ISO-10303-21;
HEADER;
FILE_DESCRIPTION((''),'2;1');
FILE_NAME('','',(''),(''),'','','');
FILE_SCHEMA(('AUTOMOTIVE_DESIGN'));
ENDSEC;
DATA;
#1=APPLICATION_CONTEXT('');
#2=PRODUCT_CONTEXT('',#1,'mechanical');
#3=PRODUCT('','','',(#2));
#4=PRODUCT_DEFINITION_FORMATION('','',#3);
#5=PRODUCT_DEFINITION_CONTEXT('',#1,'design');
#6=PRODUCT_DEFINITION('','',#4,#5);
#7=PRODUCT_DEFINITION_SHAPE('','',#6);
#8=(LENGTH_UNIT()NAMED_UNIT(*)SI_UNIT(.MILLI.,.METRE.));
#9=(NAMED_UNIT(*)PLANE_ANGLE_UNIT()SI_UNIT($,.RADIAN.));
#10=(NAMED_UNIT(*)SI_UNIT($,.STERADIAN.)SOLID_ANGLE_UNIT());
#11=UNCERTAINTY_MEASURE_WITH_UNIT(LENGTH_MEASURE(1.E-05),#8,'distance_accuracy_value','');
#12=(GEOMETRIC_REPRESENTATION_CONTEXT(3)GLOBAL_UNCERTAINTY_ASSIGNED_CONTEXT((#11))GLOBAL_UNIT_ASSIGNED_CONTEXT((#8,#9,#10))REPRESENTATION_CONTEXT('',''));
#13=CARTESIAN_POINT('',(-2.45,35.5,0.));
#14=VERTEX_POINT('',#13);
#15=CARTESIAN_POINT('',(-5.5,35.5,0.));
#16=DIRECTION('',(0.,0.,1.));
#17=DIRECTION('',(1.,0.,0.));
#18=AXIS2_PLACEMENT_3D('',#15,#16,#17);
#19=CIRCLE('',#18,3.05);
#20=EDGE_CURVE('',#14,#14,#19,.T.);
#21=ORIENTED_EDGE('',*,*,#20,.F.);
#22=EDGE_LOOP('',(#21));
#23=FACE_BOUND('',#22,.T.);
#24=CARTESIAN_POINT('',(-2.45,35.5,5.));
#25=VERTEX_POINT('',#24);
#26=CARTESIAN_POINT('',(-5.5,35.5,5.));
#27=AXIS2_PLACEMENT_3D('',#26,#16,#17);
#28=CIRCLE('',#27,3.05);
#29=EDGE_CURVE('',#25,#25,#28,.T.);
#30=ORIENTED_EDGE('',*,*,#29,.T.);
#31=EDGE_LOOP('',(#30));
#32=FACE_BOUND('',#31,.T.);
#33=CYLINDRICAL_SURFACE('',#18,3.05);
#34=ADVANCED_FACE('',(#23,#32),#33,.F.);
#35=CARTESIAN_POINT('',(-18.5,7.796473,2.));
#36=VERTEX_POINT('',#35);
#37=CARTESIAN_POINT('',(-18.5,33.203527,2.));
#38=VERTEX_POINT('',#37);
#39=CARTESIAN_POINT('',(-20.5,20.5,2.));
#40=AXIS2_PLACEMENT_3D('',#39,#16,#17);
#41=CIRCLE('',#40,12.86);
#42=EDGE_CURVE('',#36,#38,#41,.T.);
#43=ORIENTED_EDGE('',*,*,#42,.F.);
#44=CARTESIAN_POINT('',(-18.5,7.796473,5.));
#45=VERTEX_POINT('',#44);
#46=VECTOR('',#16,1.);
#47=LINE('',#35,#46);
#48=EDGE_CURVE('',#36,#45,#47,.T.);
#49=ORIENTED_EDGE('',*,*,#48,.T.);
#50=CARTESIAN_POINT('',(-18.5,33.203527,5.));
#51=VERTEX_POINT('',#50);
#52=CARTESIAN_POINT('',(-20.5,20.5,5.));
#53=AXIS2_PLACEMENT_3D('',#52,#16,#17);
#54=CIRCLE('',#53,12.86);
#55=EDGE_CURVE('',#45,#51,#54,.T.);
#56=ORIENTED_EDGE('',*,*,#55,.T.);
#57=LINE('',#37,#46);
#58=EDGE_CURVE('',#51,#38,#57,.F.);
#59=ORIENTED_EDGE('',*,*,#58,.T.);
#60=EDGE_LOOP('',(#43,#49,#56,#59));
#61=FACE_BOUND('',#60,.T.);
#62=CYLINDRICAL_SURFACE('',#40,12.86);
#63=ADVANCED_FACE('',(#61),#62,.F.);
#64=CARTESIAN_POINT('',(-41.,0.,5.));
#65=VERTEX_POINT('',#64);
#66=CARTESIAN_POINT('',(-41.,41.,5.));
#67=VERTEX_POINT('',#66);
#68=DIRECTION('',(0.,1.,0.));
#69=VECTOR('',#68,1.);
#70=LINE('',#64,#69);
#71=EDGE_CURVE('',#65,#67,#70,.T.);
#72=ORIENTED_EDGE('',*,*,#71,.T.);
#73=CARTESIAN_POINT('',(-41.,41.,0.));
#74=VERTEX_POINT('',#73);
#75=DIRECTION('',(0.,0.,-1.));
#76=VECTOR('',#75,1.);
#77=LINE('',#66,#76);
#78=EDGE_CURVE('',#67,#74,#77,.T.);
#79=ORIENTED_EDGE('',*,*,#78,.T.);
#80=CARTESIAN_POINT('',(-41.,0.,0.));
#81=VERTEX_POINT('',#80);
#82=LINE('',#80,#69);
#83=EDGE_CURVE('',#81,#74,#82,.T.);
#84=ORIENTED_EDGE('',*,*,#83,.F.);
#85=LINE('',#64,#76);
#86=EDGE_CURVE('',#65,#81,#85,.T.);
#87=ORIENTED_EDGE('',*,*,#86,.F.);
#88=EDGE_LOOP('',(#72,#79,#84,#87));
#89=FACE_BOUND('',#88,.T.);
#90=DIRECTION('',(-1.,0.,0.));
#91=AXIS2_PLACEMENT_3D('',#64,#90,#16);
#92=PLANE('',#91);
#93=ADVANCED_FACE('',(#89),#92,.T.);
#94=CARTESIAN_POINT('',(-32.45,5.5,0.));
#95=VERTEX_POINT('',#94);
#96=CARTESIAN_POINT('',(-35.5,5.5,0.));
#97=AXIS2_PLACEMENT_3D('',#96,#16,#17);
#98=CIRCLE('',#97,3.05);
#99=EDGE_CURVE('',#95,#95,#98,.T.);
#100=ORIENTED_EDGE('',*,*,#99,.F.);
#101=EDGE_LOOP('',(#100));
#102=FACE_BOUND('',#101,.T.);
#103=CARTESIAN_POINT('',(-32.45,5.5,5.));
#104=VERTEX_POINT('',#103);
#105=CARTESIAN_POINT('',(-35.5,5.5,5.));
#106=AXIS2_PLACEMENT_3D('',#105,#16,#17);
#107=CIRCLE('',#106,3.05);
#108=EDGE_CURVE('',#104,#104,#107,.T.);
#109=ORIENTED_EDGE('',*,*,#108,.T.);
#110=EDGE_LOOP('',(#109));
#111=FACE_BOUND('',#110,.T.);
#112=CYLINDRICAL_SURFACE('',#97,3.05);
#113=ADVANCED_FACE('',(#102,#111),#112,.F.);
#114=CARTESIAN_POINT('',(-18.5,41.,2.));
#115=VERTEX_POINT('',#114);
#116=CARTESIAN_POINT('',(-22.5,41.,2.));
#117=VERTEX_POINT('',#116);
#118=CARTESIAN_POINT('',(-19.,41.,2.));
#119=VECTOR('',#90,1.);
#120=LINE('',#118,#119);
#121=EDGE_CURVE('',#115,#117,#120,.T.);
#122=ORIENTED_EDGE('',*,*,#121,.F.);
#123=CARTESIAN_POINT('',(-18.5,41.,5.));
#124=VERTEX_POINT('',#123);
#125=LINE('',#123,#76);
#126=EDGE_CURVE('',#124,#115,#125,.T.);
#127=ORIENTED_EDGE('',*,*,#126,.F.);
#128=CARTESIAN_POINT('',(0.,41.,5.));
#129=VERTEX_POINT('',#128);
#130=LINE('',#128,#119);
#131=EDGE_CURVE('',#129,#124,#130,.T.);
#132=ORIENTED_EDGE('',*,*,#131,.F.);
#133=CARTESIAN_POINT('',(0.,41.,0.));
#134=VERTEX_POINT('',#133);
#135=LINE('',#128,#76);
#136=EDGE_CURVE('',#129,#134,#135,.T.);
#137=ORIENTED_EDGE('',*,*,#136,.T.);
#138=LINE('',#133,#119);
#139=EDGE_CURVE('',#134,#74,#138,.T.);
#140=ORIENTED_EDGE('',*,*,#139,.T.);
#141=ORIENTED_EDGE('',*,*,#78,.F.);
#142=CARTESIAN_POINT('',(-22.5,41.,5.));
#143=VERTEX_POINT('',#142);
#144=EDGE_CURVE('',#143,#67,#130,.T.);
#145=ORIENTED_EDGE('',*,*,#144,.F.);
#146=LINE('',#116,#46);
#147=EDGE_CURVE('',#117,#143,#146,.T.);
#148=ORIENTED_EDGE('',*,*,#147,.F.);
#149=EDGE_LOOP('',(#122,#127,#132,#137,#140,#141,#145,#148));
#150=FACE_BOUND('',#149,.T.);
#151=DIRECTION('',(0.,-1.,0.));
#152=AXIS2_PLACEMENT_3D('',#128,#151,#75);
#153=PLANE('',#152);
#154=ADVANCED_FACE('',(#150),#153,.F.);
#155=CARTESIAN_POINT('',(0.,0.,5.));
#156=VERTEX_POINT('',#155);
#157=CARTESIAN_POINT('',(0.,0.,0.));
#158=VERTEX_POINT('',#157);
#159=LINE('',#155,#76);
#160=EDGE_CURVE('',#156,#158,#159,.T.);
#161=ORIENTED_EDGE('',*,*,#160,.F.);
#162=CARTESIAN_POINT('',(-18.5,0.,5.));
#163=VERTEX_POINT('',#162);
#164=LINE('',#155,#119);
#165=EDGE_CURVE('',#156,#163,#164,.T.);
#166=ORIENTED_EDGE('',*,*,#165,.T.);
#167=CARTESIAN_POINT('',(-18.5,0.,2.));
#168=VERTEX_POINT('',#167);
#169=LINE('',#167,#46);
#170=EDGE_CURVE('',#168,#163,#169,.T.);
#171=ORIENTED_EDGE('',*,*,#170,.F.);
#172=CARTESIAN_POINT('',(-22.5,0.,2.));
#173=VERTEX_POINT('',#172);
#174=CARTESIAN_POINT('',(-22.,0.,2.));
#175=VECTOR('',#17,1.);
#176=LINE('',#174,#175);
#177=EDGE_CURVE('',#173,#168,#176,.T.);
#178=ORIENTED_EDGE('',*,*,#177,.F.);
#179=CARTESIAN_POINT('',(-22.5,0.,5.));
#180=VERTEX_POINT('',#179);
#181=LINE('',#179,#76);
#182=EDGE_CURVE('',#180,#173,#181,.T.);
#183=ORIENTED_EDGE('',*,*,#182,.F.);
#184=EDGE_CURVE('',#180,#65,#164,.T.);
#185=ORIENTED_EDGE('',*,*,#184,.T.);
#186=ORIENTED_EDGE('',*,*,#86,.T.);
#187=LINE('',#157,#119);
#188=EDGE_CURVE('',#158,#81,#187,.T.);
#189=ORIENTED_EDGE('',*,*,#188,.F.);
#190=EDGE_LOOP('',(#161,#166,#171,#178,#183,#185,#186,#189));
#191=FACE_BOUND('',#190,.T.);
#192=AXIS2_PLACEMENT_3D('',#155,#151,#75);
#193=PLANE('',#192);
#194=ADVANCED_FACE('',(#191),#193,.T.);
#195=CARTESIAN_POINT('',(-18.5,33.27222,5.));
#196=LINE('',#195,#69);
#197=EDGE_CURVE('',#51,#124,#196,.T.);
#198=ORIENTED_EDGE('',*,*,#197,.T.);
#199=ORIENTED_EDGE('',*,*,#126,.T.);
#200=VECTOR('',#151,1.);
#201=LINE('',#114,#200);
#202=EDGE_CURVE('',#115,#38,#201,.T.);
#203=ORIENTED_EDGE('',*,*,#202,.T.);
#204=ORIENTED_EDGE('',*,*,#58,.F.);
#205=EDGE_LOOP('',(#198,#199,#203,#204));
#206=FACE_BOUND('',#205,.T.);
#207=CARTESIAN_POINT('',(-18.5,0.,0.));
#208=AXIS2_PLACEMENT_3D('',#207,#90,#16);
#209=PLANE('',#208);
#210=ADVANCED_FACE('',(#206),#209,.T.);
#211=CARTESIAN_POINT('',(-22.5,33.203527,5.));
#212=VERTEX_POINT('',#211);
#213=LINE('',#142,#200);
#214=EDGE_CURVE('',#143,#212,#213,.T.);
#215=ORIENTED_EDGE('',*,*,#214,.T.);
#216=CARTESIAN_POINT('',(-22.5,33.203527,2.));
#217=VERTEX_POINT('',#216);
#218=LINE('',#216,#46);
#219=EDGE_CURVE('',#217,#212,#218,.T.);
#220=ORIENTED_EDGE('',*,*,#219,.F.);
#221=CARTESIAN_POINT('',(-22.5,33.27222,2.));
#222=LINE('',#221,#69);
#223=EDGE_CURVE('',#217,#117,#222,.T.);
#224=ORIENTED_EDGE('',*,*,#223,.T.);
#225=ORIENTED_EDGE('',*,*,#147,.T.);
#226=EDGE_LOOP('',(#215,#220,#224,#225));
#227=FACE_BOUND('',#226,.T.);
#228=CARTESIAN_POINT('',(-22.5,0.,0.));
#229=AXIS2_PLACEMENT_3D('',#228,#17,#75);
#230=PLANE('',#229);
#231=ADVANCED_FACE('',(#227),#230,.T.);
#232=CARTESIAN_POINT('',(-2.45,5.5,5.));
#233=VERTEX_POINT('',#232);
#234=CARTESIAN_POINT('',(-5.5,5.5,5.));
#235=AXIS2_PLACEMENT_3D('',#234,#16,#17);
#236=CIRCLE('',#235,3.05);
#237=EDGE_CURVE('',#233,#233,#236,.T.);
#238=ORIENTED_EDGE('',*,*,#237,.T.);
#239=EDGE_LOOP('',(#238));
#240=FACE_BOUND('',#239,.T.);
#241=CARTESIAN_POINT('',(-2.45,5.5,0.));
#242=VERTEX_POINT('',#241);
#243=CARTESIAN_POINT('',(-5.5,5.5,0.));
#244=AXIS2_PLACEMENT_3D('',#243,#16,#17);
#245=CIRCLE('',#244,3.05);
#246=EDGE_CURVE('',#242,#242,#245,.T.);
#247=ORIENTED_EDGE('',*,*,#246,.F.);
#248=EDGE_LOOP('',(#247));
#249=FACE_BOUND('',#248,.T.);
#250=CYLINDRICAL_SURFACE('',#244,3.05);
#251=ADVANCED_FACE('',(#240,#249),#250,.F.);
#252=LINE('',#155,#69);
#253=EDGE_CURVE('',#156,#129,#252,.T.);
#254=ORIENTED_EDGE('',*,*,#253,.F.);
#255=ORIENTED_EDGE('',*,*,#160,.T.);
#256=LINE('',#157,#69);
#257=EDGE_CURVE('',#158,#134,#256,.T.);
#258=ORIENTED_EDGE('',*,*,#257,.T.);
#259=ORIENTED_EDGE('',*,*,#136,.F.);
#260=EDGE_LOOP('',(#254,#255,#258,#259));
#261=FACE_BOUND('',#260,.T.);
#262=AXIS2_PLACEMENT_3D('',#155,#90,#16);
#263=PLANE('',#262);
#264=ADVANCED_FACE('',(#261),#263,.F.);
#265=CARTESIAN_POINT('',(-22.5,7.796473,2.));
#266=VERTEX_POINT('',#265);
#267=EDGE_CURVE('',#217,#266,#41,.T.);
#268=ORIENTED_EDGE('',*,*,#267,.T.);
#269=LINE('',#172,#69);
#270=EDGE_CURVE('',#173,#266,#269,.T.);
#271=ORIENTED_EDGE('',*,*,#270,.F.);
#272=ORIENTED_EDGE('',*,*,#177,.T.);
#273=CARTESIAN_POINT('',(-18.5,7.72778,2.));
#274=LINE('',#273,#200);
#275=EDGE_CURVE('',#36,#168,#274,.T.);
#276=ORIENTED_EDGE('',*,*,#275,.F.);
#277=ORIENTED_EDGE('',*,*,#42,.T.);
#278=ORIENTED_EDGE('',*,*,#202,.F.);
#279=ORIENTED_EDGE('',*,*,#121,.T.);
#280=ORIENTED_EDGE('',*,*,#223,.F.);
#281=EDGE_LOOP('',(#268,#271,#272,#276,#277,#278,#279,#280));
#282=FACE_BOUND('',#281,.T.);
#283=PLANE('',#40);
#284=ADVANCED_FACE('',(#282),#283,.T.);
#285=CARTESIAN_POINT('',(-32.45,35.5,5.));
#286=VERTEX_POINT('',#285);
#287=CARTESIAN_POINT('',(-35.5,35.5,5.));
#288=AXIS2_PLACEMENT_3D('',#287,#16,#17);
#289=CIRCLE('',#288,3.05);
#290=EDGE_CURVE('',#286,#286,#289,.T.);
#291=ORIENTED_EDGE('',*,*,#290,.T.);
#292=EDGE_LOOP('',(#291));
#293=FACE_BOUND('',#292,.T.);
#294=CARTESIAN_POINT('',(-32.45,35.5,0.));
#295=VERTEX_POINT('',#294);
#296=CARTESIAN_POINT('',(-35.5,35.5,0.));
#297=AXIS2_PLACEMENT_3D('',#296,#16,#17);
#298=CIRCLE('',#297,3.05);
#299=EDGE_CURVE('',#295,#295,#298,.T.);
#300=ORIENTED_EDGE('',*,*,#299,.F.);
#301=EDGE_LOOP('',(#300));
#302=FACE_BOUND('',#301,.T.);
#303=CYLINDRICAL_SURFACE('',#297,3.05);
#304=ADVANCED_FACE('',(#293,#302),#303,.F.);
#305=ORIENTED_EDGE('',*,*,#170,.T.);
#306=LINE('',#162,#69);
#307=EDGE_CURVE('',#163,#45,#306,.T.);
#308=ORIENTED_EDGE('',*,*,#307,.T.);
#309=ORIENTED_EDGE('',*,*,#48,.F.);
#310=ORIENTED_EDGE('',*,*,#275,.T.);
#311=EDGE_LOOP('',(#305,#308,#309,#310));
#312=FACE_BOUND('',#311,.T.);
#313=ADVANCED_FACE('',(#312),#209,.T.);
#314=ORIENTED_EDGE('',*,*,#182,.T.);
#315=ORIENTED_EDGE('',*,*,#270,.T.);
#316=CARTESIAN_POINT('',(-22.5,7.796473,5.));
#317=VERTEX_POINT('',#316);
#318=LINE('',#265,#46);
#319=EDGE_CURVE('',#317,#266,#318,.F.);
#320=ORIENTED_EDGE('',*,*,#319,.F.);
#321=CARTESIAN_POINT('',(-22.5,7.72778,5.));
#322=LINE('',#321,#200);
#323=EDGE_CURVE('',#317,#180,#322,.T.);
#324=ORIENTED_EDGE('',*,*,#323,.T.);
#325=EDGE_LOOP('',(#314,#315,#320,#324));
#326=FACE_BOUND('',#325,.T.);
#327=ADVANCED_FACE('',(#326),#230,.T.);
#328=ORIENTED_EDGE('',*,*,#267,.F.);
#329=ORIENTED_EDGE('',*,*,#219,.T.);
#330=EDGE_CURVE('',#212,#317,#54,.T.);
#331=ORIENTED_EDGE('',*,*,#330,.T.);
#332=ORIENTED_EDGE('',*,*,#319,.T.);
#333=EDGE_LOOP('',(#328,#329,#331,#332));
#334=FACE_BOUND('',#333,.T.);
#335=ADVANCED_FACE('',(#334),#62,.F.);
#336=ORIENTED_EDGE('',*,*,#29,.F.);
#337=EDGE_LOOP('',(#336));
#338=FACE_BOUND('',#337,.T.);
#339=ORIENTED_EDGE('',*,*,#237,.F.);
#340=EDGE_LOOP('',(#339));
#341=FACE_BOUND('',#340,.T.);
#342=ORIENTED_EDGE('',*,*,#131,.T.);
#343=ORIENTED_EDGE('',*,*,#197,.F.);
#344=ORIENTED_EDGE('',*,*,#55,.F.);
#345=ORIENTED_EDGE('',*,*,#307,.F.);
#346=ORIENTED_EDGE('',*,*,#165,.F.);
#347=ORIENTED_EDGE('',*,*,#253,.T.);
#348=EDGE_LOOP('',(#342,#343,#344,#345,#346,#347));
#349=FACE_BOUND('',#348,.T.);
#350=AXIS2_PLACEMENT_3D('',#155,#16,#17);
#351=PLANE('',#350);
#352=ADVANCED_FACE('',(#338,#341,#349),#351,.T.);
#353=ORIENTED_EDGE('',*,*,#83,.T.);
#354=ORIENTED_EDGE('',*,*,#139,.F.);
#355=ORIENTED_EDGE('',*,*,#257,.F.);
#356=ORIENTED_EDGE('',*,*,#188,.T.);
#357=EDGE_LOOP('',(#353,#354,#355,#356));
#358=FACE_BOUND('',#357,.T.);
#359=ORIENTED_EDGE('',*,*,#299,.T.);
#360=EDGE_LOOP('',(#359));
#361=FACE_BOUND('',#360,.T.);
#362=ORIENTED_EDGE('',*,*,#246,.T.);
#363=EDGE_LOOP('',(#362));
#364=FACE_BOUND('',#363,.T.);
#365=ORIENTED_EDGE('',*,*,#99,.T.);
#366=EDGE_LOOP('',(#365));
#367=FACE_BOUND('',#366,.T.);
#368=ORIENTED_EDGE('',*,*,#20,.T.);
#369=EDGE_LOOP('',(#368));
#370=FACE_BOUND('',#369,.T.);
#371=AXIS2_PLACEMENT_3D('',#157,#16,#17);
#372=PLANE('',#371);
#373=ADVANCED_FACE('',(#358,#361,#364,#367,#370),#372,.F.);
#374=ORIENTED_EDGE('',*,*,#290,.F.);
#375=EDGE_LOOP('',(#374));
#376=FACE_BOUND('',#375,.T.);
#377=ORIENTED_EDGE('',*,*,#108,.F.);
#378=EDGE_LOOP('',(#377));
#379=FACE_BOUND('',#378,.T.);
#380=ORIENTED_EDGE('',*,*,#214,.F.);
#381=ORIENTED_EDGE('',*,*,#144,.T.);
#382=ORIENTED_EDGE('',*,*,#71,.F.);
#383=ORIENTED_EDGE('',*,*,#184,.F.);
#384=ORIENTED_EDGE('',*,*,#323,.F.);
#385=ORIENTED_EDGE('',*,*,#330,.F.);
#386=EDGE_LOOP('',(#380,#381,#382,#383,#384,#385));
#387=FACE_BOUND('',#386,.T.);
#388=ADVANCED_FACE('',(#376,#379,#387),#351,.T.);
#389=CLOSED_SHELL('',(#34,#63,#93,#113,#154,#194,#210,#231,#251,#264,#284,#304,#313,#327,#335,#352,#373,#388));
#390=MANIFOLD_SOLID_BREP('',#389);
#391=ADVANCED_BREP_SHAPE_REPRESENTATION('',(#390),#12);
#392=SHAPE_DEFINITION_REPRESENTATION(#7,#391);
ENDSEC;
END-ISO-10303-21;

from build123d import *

# Parameters (mm, degrees)
CROQUIS1_W             = 41
CROQUIS1_H             = 41
PLAQUEBASE_DEPTH       = 5
CROQUIS2_R             = 12.86
CERCLECENTRAL_DEPTH    = 3
CROQUIS3_R             = 3.05
SUPPORT_DEPTH          = 5
CROQUIS4_W             = 3
CROQUIS4_H             = 2.5
TROUSLAT_DEPTH         = 41
CORTAR_EXTRUIR1_DEPTH  = 0.5
CORTAR_EXTRUIR2_DEPTH  = 0.5
CROQUIS15_W            = 7.727780146
CROQUIS15_H            = 3
CORTAR_EXTRUIR3_DEPTH  = 0.5
CROQUIS16_W            = 7.727780146
CROQUIS16_H            = 3
CORTAR_EXTRUIR4_DEPTH  = 0.5
CROQUIS17_W            = 7.727780146
CROQUIS17_H            = 3
CORTAR_EXTRUIR5_DEPTH  = 0.5
CROQUIS18_W            = 7.727780146
CROQUIS18_H            = 3
CORTAR_EXTRUIR6_DEPTH  = 0.5
CROQUIS19_W            = 0.5
CROQUIS19_H            = 3
CORTAR_EXTRUIR7_DEPTH  = 0.5
CROQUIS20_W            = 0.5
CROQUIS20_H            = 3
CORTAR_EXTRUIR8_DEPTH  = 0.5
CROQUIS21_W            = 0.5
CROQUIS21_H            = 3
CORTAR_EXTRUIR9_DEPTH  = 0.5
CROQUIS22_W            = 0.5
CROQUIS22_H            = 3
CORTAR_EXTRUIR10_DEPTH = 0.5


with BuildPart() as part:
    # Croquis1 → PlaqueBase (new body)
    with BuildSketch(Plane(origin=(0, 0, 0), x_dir=(0, 1, 0), z_dir=(0, 0, 1))):
        with Locations((20.5, 20.5)):
            Rectangle(CROQUIS1_W, CROQUIS1_H)
    extrude(amount=PLAQUEBASE_DEPTH)

    # Croquis2 → CercleCentral (cut)
    with BuildSketch(Plane.XY.offset(5)):
        with Locations((-20.5, 20.5)):
            Circle(CROQUIS2_R)
    extrude(amount=-CERCLECENTRAL_DEPTH, mode=Mode.SUBTRACT)

    # Croquis3 → Support (cut)
    with BuildSketch(Plane.XY.offset(5)):
        with Locations((-35.5, 5.5)):
            Circle(CROQUIS3_R)
        with Locations((-5.5, 5.5)):
            Circle(CROQUIS3_R)
        with Locations((-5.5, 35.5)):
            Circle(CROQUIS3_R)
        with Locations((-35.5, 35.5)):
            Circle(CROQUIS3_R)
    extrude(amount=-SUPPORT_DEPTH, mode=Mode.SUBTRACT)

    # Croquis4 → TrousLat (cut)
    with BuildSketch(Plane(origin=(0, 0, 0), x_dir=(-1, 0, 0), z_dir=(0, -1, 0))):
        with Locations((20.5, -3.75)):
            Rectangle(CROQUIS4_W, CROQUIS4_H)
    extrude(amount=-TROUSLAT_DEPTH, mode=Mode.SUBTRACT)

    # Croquis6 → Cortar-Extruir1 (cut)
    with BuildSketch(Plane.XY.offset(2.5)):
        with BuildLine():
            Line((-19, 33.272219854), (-19, 41))
            Line((-19, 41), (-22, 41))
            Line((-22, 41), (-22, 33.272219854))
            ThreePointArc((-22, 33.272219854), (-20.5, 33.36), (-19, 33.272219854))
        make_face()
    extrude(amount=-CORTAR_EXTRUIR1_DEPTH, mode=Mode.SUBTRACT)

    # Croquis14 → Cortar-Extruir2 (cut)
    with BuildSketch(Plane.XY.offset(2.5)):
        with BuildLine():
            Line((-22, 7.727780146), (-22, 0))
            Line((-22, 0), (-19, 0))
            Line((-19, 0), (-19, 7.727780146))
            ThreePointArc((-19, 7.727780146), (-20.5, 7.64), (-22, 7.727780146))
        make_face()
    extrude(amount=-CORTAR_EXTRUIR2_DEPTH, mode=Mode.SUBTRACT)

    # Croquis15 → Cortar-Extruir3 (cut)
    with BuildSketch(Plane(origin=(-19, 0, 0), x_dir=(0, -1, 0), z_dir=(-1, 0, 0))):
        with Locations((-37.136109927, 3.5)):
            Rectangle(CROQUIS15_W, CROQUIS15_H)
    extrude(amount=-CORTAR_EXTRUIR3_DEPTH, mode=Mode.SUBTRACT)

    # Croquis16 → Cortar-Extruir4 (cut)
    with BuildSketch(Plane(origin=(-19, 0, 0), x_dir=(0, -1, 0), z_dir=(-1, 0, 0))):
        with Locations((-3.863890073, 3.5)):
            Rectangle(CROQUIS16_W, CROQUIS16_H)
    extrude(amount=-CORTAR_EXTRUIR4_DEPTH, mode=Mode.SUBTRACT)

    # Croquis17 → Cortar-Extruir5 (cut)
    with BuildSketch(Plane.YZ.offset(-22)):
        with Locations((3.863890073, 3.5)):
            Rectangle(CROQUIS17_W, CROQUIS17_H)
    extrude(amount=-CORTAR_EXTRUIR5_DEPTH, mode=Mode.SUBTRACT)

    # Croquis18 → Cortar-Extruir6 (cut)
    with BuildSketch(Plane.YZ.offset(-22)):
        with Locations((37.136109927, 3.5)):
            Rectangle(CROQUIS18_W, CROQUIS18_H)
    extrude(amount=-CORTAR_EXTRUIR6_DEPTH, mode=Mode.SUBTRACT)

    # Croquis19 → Cortar-Extruir7 (cut)
    with BuildSketch(Plane.XZ.offset(-7.727780146)):
        with Locations((-22.25, 3.5)):
            Rectangle(CROQUIS19_W, CROQUIS19_H)
    extrude(amount=-CORTAR_EXTRUIR7_DEPTH, mode=Mode.SUBTRACT)

    # Croquis20 → Cortar-Extruir8 (cut)
    with BuildSketch(Plane.XZ.offset(-7.727780146)):
        with Locations((-18.75, 3.5)):
            Rectangle(CROQUIS20_W, CROQUIS20_H)
    extrude(amount=-CORTAR_EXTRUIR8_DEPTH, mode=Mode.SUBTRACT)

    # Croquis21 → Cortar-Extruir9 (cut)
    with BuildSketch(Plane(origin=(0, 33.272219854, 0), x_dir=(-1, 0, 0), z_dir=(0, 1, 0))):
        with Locations((18.75, 3.5)):
            Rectangle(CROQUIS21_W, CROQUIS21_H)
    extrude(amount=-CORTAR_EXTRUIR9_DEPTH, mode=Mode.SUBTRACT)

    # Croquis22 → Cortar-Extruir10 (cut)
    with BuildSketch(Plane(origin=(0, 33.272219854, 0), x_dir=(-1, 0, 0), z_dir=(0, 1, 0))):
        with Locations((22.25, 3.5)):
            Rectangle(CROQUIS22_W, CROQUIS22_H)
    extrude(amount=-CORTAR_EXTRUIR10_DEPTH, mode=Mode.SUBTRACT)


solid = part.part
